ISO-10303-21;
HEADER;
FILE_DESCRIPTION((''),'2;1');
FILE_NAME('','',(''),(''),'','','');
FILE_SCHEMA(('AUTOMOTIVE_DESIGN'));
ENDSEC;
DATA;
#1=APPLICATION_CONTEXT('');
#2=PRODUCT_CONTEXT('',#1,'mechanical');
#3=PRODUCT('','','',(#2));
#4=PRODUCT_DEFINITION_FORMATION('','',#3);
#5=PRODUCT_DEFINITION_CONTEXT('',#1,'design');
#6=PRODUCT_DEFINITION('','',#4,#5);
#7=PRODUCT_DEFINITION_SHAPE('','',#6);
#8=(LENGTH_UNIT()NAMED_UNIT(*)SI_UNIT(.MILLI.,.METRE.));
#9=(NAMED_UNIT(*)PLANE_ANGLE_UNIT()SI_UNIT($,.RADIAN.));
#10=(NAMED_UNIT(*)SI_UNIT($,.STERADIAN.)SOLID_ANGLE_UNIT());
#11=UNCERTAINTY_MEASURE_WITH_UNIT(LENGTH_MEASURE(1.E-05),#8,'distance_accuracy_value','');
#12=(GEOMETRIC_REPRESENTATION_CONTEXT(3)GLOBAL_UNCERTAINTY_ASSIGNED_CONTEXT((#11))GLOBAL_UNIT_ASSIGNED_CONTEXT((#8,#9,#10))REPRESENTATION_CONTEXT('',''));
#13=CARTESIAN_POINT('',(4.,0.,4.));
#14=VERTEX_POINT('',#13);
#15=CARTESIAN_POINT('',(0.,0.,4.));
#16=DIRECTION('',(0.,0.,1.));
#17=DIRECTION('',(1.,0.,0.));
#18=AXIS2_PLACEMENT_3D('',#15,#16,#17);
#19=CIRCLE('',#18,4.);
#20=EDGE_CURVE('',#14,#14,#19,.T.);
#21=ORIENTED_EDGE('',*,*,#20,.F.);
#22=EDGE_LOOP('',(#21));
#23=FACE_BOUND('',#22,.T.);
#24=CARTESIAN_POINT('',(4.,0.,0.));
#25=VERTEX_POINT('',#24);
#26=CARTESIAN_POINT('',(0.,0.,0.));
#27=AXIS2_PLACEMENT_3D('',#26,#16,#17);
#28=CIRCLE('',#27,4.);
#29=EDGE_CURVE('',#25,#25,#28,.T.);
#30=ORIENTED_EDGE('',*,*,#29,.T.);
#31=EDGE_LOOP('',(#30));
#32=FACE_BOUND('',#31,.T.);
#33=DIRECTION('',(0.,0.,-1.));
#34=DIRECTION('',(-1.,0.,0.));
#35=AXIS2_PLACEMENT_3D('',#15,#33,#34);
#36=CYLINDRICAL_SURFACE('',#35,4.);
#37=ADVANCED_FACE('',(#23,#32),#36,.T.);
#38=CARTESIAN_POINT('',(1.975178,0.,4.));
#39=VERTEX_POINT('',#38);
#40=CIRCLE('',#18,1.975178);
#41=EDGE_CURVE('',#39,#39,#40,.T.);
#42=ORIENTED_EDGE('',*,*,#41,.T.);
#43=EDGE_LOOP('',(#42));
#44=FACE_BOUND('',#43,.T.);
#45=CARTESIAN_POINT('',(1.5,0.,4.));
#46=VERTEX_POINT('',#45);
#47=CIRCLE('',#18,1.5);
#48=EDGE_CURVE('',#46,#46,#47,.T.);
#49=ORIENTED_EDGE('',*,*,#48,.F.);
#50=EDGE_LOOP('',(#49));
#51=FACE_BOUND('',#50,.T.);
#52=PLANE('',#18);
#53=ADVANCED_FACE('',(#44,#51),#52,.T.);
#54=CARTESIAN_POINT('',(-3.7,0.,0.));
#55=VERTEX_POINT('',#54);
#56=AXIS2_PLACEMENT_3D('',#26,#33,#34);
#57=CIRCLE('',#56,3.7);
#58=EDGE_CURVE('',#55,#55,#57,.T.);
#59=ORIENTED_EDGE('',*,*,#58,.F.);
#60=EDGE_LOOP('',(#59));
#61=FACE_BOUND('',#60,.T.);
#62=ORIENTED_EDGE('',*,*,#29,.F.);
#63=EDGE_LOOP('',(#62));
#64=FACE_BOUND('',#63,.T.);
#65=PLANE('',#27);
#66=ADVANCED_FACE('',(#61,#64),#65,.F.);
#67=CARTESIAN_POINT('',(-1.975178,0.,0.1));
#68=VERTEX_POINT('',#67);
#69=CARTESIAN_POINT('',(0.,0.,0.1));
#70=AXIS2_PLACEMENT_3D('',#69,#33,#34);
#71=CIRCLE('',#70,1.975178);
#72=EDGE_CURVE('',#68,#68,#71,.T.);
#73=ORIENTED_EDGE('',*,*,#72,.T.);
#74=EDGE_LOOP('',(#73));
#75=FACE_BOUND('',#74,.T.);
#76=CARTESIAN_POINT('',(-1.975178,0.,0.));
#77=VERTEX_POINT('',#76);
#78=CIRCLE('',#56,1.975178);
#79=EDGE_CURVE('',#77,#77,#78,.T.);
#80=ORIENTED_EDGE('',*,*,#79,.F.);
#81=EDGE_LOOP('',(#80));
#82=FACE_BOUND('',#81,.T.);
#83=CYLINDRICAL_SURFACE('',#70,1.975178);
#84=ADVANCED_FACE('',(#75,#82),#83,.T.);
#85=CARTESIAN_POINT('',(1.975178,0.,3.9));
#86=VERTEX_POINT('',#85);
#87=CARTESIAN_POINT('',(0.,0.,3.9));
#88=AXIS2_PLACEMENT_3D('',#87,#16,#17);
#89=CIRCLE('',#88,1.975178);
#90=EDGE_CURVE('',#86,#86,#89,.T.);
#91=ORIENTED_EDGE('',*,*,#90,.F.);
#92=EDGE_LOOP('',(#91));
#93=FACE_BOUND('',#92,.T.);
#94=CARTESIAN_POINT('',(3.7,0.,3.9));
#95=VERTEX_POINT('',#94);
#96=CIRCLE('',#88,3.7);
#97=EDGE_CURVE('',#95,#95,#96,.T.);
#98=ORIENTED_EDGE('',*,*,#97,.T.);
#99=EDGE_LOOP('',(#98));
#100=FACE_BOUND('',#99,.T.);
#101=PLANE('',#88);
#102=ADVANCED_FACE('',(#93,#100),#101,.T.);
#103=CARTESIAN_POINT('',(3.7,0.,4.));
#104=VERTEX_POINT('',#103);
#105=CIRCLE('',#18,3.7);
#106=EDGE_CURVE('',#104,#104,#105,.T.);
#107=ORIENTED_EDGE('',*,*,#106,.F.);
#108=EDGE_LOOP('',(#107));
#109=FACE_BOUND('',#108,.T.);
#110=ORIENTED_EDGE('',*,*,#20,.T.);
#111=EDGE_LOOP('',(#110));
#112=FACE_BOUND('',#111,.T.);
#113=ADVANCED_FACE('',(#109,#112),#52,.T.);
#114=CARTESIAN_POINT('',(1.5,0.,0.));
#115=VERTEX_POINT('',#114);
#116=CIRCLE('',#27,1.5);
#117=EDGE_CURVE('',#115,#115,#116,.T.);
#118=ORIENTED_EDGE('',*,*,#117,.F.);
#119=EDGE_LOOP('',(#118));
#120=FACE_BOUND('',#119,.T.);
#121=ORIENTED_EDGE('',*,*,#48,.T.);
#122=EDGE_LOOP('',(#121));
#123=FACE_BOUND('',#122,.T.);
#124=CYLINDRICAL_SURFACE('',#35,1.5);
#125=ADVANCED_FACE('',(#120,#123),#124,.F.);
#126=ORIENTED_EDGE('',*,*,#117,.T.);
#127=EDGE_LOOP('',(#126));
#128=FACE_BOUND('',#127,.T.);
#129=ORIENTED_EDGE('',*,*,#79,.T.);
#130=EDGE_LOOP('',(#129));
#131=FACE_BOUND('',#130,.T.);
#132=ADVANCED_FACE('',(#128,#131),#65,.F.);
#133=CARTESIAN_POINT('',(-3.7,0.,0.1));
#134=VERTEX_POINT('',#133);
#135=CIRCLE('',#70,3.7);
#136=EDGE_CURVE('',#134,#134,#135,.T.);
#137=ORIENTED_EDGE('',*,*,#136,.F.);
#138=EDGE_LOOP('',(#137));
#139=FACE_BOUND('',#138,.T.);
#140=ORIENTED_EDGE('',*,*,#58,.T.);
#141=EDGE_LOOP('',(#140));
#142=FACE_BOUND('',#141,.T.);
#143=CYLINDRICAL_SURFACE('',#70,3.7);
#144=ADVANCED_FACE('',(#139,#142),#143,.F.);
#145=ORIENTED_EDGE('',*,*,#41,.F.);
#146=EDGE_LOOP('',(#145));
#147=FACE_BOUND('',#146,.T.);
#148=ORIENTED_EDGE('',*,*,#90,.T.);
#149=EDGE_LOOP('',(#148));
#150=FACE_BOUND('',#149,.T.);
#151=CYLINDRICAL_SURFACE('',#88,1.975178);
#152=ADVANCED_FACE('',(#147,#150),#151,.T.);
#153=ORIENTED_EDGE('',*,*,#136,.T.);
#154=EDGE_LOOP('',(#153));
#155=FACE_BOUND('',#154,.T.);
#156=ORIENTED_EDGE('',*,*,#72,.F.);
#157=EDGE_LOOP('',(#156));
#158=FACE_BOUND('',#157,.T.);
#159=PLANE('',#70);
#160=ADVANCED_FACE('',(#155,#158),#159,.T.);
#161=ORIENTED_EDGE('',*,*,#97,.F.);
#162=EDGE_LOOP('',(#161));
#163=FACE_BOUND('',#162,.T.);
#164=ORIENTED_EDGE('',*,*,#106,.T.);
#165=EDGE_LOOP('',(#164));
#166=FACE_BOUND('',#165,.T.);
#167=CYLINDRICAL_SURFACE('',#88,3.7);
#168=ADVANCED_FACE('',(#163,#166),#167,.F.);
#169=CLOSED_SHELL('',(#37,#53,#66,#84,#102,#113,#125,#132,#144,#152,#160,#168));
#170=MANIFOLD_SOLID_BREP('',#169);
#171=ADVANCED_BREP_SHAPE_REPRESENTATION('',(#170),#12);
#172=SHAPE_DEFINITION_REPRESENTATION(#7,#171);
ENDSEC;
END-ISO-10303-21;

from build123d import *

# Parameters (mm, degrees)
SKETCH1_R           = 4
SKETCH1_R_2         = 1.5
BOSS_EXTRUDE1_DEPTH = 4
SKETCH2_R           = 3.7
SKETCH2_R_2         = 1.975178003
CUT_EXTRUDE1_DEPTH  = 0.1
SKETCH3_R           = 3.7
SKETCH3_R_2         = 1.975178003
CUT_EXTRUDE2_DEPTH  = 0.1


with BuildPart() as part:
    # Sketch1 → Boss-Extrude1 (new body)
    with BuildSketch(Plane.XY):
        Circle(SKETCH1_R)
        Circle(SKETCH1_R_2, mode=Mode.SUBTRACT)
    extrude(amount=BOSS_EXTRUDE1_DEPTH)

    # Sketch2 → Cut-Extrude1 (cut)
    with BuildSketch(Plane.XY.offset(4)):
        Circle(SKETCH2_R)
        Circle(SKETCH2_R_2, mode=Mode.SUBTRACT)
    extrude(amount=-CUT_EXTRUDE1_DEPTH, mode=Mode.SUBTRACT)

    # Sketch3 → Cut-Extrude2 (cut)
    with BuildSketch(Plane(origin=(0, 0, 0), x_dir=(-1, 0, 0), z_dir=(0, 0, -1))):
        Circle(SKETCH3_R)
        Circle(SKETCH3_R_2, mode=Mode.SUBTRACT)
    extrude(amount=-CUT_EXTRUDE2_DEPTH, mode=Mode.SUBTRACT)


solid = part.part
